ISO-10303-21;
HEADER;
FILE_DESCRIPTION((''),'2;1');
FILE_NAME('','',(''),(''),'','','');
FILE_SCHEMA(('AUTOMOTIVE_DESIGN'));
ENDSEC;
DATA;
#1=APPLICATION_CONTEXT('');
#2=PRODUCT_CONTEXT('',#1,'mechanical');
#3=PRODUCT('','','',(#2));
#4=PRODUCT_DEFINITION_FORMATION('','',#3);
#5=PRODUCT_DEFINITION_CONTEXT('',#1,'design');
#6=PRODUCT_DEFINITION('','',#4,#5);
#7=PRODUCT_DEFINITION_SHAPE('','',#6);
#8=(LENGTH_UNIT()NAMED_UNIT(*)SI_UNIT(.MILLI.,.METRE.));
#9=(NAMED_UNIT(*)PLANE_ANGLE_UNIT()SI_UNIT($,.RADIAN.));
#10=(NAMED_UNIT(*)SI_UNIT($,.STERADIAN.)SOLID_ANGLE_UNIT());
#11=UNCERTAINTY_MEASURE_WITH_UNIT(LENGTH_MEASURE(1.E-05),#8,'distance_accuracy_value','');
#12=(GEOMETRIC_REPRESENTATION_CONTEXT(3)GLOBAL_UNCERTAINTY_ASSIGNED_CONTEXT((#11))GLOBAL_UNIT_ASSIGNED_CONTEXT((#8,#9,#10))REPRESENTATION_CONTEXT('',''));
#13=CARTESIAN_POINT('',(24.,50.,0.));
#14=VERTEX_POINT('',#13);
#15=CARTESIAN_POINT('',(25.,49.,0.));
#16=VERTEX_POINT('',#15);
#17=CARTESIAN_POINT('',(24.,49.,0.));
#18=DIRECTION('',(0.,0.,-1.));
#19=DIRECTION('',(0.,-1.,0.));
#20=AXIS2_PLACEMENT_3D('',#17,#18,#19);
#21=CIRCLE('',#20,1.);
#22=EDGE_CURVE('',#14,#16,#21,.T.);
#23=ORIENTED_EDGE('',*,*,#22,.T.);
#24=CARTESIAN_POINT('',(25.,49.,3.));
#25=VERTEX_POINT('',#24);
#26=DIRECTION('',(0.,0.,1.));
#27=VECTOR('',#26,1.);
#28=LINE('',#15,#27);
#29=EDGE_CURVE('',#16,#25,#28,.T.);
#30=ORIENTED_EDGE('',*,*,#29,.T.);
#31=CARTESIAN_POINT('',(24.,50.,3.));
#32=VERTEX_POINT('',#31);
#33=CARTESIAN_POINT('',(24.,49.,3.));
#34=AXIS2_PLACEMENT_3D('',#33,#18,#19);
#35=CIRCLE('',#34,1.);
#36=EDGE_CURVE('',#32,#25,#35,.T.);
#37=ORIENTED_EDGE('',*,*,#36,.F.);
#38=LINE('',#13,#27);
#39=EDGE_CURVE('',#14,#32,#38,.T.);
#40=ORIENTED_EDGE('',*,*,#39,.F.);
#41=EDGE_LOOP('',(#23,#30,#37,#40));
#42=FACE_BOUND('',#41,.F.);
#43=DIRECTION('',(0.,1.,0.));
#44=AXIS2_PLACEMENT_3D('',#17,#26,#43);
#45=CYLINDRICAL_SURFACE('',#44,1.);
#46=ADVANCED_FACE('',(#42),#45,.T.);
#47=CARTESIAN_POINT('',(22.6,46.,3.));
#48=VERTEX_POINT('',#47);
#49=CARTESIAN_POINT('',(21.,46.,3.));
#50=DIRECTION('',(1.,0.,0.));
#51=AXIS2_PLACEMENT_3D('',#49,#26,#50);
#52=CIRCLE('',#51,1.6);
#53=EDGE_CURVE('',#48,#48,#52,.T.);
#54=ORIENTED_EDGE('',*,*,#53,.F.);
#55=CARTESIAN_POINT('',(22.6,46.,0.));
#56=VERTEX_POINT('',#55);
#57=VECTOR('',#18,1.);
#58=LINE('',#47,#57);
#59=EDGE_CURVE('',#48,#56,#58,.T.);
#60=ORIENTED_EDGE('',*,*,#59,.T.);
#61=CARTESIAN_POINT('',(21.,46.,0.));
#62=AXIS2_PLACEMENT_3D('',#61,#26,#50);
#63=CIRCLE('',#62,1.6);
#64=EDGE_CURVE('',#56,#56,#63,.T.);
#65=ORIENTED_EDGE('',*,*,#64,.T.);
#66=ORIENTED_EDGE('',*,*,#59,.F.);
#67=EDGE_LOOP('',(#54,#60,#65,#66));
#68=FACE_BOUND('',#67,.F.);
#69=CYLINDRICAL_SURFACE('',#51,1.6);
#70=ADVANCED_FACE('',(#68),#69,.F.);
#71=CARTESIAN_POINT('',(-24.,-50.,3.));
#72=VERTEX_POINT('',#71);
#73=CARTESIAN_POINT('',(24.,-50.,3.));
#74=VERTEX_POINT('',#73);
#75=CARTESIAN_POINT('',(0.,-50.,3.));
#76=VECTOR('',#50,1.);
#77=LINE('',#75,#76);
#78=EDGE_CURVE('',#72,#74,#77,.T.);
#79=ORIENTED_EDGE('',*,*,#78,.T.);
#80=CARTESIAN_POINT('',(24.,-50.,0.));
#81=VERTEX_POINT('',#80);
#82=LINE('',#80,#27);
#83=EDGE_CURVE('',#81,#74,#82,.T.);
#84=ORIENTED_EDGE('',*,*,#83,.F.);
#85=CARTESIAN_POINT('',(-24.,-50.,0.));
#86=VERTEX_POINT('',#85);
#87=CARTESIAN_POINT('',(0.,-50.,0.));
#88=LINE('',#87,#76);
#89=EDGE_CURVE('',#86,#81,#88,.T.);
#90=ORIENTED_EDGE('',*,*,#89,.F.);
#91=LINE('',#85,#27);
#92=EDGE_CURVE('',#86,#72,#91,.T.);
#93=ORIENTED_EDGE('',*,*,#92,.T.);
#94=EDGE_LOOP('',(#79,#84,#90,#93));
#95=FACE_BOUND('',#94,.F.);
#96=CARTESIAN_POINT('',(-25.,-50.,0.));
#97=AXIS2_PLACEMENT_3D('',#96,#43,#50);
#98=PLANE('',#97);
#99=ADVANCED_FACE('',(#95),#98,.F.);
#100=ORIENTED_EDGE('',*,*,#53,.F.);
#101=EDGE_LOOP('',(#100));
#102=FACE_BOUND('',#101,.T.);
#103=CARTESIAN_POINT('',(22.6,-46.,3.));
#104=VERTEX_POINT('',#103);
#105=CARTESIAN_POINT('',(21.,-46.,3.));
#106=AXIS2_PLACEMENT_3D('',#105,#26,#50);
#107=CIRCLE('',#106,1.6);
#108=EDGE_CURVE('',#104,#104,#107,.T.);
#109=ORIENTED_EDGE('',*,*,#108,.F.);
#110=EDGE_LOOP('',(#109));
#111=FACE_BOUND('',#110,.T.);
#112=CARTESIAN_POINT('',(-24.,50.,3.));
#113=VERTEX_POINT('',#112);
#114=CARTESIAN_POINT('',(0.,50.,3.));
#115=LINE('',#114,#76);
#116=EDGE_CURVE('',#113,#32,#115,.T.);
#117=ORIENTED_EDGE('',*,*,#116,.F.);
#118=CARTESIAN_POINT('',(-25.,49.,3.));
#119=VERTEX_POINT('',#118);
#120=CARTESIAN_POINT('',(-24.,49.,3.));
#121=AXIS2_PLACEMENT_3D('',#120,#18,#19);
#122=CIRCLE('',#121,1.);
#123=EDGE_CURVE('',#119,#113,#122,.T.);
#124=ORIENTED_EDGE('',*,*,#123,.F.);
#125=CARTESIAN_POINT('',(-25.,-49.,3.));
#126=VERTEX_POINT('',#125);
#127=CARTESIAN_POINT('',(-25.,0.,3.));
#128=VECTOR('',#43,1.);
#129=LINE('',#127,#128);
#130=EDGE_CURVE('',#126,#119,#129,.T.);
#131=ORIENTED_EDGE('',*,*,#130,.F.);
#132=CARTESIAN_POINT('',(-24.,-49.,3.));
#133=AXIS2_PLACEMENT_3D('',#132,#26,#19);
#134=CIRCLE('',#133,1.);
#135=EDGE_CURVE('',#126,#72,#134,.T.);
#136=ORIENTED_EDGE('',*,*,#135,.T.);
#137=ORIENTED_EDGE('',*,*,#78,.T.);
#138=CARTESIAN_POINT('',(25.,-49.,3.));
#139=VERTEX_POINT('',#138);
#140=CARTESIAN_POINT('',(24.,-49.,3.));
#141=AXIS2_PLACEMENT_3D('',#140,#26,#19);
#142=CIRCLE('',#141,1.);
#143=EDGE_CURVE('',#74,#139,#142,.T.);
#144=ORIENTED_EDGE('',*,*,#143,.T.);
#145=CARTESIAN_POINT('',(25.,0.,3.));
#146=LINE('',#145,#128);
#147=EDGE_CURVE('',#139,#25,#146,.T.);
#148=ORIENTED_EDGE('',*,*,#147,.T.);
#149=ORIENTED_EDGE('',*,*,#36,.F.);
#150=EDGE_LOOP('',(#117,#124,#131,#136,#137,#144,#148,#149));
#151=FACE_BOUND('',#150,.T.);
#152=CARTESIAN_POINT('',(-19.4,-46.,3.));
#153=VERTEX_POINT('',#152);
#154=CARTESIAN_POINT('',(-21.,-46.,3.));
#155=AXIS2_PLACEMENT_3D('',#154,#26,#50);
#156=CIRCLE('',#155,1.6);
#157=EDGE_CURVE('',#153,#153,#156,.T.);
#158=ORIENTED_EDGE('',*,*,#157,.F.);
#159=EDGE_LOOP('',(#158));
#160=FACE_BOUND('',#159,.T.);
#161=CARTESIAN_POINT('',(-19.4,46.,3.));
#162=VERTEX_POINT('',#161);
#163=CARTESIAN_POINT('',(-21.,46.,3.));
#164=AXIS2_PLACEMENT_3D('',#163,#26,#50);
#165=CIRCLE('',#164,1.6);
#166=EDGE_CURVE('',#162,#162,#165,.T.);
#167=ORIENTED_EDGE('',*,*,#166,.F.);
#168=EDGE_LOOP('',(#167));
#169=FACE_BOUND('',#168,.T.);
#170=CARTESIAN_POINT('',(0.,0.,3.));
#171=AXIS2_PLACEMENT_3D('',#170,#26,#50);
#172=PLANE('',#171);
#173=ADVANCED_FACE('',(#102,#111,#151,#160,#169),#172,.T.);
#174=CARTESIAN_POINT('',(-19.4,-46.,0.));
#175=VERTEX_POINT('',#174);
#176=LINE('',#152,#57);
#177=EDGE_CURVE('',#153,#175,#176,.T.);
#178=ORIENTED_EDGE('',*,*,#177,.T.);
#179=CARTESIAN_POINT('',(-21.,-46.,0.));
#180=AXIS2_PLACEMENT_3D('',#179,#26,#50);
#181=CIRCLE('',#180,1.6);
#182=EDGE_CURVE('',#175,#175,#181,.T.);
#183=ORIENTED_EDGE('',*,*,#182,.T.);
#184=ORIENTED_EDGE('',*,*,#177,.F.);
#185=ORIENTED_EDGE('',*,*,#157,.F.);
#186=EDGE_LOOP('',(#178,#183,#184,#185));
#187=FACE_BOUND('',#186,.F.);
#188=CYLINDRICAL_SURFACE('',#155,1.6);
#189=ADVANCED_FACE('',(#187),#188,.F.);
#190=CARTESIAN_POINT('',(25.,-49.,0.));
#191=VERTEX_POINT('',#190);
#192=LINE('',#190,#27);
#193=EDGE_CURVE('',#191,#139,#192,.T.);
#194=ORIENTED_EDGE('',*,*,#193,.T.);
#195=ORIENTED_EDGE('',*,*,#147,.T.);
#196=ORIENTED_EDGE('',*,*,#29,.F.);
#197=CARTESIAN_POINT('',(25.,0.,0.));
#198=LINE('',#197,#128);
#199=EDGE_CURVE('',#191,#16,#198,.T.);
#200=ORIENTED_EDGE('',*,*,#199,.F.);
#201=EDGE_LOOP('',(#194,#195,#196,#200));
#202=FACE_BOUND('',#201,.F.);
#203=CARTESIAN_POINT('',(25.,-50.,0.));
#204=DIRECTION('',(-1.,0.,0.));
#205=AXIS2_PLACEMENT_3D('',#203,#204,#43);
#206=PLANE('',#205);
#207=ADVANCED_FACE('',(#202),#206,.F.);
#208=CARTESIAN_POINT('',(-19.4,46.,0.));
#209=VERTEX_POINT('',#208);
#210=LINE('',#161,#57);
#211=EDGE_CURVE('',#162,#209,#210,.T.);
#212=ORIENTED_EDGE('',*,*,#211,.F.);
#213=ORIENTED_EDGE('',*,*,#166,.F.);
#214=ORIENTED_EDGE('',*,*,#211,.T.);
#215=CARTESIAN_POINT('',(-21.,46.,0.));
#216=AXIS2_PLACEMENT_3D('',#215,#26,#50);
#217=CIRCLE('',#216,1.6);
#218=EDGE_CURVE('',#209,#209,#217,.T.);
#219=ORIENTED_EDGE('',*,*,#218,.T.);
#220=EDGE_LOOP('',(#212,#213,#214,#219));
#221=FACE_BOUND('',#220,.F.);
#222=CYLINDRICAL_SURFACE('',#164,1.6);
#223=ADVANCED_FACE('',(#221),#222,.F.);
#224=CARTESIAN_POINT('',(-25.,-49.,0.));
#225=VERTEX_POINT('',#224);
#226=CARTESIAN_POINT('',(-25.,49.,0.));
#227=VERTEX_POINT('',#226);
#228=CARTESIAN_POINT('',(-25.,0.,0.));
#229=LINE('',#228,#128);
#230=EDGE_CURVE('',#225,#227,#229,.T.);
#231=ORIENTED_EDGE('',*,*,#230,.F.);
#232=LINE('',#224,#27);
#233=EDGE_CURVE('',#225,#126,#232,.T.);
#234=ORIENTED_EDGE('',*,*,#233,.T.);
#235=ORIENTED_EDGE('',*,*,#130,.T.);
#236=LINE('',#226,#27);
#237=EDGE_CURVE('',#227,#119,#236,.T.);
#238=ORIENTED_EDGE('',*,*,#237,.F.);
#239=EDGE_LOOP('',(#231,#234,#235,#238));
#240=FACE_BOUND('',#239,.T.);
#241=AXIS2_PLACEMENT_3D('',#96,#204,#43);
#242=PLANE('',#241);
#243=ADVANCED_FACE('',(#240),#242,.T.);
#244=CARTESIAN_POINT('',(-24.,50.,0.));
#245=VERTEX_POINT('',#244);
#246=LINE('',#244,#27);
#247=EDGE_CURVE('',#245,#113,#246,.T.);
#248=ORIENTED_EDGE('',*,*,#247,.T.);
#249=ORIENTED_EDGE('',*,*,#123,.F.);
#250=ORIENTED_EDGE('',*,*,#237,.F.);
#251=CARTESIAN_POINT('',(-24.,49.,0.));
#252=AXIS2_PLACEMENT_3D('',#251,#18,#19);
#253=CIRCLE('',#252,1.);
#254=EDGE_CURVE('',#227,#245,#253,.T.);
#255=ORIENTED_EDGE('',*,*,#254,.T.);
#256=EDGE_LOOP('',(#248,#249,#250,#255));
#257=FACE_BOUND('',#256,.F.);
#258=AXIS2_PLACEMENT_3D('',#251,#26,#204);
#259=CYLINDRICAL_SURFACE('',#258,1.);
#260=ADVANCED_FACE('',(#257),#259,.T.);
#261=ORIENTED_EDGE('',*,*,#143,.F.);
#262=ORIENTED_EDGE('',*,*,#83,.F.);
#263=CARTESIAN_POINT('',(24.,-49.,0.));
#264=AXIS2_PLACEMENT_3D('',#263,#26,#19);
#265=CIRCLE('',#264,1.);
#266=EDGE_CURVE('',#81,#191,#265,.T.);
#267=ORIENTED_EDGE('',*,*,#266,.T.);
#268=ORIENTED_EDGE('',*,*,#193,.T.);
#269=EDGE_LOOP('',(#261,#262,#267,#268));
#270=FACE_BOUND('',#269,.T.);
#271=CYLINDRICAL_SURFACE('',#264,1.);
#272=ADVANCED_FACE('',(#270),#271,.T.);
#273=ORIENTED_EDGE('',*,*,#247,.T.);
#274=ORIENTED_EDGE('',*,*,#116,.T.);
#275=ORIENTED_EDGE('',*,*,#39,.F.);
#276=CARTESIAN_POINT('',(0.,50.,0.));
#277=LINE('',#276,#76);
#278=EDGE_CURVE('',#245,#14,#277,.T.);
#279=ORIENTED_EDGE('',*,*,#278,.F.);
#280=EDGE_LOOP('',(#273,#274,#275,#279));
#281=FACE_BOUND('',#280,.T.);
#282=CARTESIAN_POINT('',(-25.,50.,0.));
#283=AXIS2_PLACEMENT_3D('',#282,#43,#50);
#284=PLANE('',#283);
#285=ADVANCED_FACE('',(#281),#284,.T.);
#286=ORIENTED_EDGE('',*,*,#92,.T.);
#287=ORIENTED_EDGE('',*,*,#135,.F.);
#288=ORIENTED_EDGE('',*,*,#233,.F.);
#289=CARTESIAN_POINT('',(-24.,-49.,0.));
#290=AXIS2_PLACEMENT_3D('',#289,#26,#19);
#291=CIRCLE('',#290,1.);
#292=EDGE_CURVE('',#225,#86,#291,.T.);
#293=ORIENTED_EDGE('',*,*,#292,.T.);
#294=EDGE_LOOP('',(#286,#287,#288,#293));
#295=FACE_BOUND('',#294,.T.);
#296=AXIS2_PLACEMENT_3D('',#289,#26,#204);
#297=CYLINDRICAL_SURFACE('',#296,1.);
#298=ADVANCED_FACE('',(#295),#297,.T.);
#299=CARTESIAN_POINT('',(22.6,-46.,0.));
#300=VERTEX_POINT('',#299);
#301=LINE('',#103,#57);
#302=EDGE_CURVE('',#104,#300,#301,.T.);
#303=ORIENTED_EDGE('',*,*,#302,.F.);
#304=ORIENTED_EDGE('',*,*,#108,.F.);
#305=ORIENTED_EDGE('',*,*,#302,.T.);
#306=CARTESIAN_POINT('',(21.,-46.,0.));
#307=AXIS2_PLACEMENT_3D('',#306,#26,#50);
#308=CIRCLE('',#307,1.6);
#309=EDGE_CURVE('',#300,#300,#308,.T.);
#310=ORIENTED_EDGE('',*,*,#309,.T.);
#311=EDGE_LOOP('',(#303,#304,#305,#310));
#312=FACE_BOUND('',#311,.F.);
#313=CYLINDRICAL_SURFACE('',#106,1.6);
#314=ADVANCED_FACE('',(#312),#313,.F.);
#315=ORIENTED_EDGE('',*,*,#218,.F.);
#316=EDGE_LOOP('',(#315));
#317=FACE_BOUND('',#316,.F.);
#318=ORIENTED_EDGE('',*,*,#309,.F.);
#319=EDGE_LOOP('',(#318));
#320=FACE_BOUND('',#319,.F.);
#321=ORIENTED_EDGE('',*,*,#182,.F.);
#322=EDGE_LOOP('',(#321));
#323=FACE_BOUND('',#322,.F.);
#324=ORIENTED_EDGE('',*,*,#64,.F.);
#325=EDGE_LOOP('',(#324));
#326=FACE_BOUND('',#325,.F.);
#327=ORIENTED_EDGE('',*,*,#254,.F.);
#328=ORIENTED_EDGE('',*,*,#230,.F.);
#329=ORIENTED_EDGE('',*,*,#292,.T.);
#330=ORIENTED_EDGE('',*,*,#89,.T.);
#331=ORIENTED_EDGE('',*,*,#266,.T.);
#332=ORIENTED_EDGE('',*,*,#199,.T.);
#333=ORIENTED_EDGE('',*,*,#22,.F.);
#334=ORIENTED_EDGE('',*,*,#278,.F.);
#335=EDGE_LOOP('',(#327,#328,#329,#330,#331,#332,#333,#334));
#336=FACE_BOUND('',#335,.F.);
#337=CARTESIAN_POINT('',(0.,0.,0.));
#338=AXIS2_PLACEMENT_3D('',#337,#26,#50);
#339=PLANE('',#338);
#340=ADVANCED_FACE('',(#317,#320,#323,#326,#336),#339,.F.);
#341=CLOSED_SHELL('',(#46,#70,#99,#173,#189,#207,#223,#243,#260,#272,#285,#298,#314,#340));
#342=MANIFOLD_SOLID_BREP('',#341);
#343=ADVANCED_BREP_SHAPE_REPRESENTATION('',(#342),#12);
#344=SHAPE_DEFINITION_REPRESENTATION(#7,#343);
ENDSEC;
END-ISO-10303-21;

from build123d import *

# Parameters (mm, degrees)
SKETCH_W     = 50
SKETCH_H     = 100
PAD_DEPTH    = 3
SKETCH001_R  = 1.6
POCKET_DEPTH = 3
FILLET_R     = 1


with BuildPart() as part:
    # Sketch → Pad (new body)
    with BuildSketch(Plane.XY):
        Rectangle(SKETCH_W, SKETCH_H)
    extrude(amount=PAD_DEPTH)

    # Sketch001 (on Face6 of Pad) → Pocket (cut)
    with BuildSketch(Plane.XY.offset(3)):
        with Locations((-21, 46)):
            Circle(SKETCH001_R)
        with Locations((21, 46)):
            Circle(SKETCH001_R)
        with Locations((-21, -46)):
            Circle(SKETCH001_R)
        with Locations((21, -46)):
            Circle(SKETCH001_R)
    extrude(amount=-POCKET_DEPTH, mode=Mode.SUBTRACT)

    # Fillet
    fillet_edges = [part.edges().sort_by_distance(p)[0] for p in [
        (-25, 50, 1.5),
        (25, 50, 1.5),
        (25, -50, 1.5),
        (-25, -50, 1.5),
    ]]
    fillet(fillet_edges, radius=FILLET_R)


solid = part.part
